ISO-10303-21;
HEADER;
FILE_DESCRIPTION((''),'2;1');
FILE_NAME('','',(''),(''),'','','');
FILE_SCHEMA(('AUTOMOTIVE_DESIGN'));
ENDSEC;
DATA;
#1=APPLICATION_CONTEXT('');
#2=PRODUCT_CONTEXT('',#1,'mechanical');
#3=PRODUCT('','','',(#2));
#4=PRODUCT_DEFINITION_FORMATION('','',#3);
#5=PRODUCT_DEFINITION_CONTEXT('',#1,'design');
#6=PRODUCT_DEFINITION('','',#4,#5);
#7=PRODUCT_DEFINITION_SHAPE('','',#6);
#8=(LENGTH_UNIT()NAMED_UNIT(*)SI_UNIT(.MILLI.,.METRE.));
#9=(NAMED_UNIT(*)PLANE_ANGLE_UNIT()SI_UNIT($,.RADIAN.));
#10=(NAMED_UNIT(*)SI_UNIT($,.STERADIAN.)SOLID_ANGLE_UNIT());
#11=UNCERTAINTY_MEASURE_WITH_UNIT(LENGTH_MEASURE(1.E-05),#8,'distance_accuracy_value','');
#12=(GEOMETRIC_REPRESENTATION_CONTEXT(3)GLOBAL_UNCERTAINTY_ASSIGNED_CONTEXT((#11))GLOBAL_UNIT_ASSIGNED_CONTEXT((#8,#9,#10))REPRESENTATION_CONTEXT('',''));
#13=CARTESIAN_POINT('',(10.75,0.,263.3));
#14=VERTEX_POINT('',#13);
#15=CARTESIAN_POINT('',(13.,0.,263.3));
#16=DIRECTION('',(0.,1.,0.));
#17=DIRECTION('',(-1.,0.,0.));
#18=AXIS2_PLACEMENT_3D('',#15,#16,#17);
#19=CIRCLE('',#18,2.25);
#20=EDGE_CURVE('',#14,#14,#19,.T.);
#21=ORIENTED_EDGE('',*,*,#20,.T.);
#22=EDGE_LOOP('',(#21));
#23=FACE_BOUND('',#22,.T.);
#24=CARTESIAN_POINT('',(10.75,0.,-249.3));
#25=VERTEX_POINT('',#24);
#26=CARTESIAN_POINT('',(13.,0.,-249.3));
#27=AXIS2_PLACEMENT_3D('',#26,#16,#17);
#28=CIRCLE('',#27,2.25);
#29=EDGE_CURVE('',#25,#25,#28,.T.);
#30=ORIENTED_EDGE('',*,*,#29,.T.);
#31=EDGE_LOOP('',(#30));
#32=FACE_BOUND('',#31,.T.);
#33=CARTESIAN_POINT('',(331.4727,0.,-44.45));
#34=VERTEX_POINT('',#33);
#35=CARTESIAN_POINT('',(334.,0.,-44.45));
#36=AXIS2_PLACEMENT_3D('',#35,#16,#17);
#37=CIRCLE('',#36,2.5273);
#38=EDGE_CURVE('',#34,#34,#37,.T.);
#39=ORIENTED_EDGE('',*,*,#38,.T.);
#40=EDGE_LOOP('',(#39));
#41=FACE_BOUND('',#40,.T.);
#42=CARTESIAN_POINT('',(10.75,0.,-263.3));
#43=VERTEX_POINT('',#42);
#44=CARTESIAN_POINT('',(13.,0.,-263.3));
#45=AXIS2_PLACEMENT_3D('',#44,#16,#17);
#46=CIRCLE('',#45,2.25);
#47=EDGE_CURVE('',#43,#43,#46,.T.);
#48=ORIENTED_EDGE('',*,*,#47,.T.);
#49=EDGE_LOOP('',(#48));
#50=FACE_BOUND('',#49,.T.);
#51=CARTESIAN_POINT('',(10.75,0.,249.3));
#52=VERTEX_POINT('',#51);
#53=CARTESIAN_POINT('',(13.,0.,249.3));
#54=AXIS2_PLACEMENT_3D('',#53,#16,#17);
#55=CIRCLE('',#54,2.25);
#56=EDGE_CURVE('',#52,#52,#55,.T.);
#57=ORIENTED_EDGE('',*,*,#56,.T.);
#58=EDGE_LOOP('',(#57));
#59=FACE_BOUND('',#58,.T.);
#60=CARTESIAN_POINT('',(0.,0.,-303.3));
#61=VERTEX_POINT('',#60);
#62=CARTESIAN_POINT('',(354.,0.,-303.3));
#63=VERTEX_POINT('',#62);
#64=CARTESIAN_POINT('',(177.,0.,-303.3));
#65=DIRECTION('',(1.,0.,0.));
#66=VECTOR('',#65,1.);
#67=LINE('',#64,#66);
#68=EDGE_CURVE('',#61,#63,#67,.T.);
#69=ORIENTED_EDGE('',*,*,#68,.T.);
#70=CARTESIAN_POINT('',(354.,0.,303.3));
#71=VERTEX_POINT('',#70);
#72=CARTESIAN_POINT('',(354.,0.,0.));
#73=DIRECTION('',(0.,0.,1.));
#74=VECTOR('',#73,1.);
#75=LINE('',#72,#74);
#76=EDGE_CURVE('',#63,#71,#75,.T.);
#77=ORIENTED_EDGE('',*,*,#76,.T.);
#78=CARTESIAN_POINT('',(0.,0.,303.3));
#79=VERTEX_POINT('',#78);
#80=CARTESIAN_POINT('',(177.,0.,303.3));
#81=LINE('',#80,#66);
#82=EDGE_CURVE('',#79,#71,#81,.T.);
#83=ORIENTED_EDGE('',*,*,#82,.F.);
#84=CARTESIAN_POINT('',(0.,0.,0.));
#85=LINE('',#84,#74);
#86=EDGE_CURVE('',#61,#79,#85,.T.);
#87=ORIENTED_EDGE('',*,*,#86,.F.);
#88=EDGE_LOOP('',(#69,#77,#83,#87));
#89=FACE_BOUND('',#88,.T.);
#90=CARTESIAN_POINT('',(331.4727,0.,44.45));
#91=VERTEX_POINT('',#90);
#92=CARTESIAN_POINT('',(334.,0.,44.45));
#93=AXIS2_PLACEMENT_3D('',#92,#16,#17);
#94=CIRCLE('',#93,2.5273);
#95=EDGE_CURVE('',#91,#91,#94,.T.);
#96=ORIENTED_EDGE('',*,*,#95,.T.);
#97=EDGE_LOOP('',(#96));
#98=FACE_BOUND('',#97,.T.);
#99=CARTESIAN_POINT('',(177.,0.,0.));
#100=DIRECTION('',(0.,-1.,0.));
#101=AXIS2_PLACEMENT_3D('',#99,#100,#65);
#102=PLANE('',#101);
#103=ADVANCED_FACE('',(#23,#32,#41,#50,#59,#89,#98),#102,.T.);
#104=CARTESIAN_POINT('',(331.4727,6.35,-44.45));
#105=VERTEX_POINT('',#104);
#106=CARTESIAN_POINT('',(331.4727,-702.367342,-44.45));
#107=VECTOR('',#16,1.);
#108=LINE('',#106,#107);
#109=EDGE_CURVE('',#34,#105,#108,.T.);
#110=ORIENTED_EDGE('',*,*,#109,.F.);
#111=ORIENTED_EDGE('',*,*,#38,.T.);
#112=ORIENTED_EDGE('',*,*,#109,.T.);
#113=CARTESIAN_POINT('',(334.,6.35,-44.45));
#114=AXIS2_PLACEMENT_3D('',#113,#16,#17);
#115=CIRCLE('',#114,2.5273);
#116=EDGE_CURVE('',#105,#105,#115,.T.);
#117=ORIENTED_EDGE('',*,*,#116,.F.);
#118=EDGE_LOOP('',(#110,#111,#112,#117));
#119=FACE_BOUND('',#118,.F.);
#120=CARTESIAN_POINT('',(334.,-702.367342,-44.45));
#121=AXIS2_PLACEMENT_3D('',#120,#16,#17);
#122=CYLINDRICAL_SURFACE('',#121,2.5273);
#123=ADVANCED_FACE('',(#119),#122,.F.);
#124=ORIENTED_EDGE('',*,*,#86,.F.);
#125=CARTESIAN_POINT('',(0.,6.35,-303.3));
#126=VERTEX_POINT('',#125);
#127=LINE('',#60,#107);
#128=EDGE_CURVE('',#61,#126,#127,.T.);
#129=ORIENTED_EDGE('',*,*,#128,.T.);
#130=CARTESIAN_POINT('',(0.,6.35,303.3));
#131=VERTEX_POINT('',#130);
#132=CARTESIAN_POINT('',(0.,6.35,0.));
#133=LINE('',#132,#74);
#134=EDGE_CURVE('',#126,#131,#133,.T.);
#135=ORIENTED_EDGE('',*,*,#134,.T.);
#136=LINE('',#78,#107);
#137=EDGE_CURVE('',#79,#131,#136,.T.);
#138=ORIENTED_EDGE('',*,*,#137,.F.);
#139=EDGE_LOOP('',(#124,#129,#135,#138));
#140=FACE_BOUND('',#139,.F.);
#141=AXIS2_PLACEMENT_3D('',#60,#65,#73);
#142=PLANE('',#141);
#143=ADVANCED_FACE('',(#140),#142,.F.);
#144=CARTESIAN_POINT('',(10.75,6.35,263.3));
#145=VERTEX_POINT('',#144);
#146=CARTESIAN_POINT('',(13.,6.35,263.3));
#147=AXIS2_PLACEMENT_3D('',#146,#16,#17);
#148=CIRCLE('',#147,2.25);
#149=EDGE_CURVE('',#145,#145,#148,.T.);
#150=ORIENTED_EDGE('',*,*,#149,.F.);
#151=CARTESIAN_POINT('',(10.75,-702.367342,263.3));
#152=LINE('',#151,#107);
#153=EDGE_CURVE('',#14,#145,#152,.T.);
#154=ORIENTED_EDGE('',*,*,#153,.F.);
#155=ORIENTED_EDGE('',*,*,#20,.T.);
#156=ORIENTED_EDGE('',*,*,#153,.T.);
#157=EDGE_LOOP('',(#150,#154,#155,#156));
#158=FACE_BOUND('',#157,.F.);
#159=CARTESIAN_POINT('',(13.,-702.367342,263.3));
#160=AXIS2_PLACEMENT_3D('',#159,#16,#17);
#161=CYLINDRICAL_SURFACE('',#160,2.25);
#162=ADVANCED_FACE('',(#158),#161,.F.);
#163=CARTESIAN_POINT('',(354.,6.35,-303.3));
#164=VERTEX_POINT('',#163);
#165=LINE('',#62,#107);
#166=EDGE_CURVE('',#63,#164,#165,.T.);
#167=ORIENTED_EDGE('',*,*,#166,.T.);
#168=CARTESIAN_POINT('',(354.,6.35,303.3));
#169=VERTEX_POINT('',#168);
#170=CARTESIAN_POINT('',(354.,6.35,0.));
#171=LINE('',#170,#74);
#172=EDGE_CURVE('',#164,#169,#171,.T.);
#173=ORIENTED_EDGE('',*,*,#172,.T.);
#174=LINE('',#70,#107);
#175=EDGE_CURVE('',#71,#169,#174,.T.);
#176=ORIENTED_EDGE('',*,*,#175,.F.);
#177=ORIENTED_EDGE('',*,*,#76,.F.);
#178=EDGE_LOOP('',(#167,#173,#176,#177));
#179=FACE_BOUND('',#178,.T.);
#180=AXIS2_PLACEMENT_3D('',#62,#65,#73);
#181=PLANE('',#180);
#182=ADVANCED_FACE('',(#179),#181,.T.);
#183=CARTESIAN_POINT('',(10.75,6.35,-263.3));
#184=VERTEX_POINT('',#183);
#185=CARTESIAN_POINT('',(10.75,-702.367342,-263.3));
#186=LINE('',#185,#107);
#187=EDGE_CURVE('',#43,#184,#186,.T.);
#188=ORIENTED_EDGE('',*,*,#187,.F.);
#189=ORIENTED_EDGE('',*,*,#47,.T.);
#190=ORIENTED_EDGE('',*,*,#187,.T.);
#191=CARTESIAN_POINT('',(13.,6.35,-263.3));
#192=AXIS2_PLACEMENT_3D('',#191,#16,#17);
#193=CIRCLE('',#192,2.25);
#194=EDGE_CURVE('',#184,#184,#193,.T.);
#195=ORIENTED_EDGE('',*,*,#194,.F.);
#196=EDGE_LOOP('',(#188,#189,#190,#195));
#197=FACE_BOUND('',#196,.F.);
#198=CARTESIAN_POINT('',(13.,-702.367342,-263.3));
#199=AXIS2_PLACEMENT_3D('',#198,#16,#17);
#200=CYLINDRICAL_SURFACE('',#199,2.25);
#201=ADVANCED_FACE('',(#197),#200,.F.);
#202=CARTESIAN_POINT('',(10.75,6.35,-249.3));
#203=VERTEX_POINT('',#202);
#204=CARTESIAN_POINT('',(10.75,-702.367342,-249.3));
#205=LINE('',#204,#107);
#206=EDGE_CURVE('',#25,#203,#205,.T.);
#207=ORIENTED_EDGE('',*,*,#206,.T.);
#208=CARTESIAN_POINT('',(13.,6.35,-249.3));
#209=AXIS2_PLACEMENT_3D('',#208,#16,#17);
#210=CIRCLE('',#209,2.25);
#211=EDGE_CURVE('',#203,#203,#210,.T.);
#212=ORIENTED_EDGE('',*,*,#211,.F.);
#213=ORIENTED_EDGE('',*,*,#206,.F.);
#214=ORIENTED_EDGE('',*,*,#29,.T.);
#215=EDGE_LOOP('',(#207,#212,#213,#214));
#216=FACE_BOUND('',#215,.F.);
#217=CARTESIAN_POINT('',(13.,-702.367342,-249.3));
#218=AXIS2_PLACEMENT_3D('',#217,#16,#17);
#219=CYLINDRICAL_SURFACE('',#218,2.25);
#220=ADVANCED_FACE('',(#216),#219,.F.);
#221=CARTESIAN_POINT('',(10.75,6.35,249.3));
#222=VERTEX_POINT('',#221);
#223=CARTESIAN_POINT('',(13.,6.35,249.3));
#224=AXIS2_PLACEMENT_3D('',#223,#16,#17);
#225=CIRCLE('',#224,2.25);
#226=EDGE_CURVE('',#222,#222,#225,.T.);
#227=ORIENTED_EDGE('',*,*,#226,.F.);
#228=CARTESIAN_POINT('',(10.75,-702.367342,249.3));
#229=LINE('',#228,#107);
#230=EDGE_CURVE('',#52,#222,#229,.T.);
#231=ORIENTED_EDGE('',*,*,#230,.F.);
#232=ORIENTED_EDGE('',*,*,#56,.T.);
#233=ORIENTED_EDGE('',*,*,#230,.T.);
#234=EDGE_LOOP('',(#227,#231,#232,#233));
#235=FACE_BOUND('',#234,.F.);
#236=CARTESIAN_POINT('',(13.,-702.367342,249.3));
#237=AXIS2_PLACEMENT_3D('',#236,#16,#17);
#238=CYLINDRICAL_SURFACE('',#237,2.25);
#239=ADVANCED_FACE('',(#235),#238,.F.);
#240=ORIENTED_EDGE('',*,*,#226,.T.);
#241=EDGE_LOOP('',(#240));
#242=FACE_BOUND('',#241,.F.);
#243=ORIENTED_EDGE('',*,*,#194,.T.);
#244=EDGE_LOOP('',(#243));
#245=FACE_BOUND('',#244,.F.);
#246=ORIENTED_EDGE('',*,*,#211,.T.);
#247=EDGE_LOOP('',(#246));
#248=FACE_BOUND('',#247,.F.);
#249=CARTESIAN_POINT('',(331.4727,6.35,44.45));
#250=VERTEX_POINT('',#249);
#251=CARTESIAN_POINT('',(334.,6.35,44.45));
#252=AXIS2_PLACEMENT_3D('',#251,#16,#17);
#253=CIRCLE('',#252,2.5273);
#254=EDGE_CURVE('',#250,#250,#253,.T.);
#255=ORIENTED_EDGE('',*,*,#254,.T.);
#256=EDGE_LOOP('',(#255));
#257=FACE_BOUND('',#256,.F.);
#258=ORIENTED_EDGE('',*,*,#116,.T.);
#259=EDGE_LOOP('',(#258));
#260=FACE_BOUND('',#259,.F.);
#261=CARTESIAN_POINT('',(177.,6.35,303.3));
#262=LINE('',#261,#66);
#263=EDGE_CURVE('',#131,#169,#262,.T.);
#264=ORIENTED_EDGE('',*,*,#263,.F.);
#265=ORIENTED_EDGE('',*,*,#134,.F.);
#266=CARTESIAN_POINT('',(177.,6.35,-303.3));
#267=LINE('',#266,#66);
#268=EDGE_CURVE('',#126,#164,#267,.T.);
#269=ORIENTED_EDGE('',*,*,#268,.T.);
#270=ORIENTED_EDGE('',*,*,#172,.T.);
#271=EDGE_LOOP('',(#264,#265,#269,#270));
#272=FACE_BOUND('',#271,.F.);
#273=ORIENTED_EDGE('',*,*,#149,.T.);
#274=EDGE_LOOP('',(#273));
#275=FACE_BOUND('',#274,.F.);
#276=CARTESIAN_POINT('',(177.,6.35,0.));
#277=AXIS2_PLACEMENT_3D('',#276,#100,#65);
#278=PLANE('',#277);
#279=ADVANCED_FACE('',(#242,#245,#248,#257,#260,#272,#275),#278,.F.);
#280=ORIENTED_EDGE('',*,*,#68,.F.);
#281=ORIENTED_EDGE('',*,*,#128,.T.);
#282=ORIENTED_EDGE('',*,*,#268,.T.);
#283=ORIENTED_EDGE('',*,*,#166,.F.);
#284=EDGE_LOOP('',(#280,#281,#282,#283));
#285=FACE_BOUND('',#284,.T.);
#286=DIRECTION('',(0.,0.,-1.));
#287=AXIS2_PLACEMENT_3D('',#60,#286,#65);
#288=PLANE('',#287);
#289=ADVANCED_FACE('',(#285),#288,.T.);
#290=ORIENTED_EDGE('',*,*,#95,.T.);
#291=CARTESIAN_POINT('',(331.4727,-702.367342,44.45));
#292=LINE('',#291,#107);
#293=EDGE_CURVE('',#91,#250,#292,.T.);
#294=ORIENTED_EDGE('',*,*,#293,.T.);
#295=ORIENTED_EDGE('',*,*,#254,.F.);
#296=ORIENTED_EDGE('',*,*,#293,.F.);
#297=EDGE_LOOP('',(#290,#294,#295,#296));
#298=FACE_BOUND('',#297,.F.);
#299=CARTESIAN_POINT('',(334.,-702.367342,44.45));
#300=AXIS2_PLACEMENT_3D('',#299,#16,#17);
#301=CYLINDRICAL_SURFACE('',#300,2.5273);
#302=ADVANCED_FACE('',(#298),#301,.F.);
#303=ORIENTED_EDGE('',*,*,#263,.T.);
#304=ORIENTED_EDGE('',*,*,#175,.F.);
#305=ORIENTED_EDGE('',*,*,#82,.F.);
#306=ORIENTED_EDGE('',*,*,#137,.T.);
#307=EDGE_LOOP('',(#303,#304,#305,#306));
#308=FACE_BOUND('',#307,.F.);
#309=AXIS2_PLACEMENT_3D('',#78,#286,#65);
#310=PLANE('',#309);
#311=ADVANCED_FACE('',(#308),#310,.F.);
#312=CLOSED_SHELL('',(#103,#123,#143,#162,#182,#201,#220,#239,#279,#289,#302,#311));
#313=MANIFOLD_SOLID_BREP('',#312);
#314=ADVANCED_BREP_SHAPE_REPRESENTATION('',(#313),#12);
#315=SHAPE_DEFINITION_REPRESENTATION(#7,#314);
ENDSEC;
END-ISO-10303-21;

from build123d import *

# Parameters (mm, degrees)
F0_W     = 354
F0_H     = 606.6
F1_DEPTH = 6.35
F2_D     = 4.5
F3_D     = 5.0546


with BuildPart() as f1:
    # F0 (on Front) → F1 (new body)
    with BuildSketch(Plane.XZ):
        with Locations((177, 0)):
            Rectangle(F0_W, F0_H)
    extrude(amount=-F1_DEPTH)

    # F2 (through all)
    with Locations(Plane.XZ):
        with Locations((13, 263.3), (13, 249.3), (13, -249.3), (13, -263.3)):
            Hole(F2_D / 2)

    # F3 (through all)
    with Locations(Plane.XZ):
        with Locations((334, 44.45), (334, -44.45)):
            Hole(F3_D / 2)


solid = f1.part
